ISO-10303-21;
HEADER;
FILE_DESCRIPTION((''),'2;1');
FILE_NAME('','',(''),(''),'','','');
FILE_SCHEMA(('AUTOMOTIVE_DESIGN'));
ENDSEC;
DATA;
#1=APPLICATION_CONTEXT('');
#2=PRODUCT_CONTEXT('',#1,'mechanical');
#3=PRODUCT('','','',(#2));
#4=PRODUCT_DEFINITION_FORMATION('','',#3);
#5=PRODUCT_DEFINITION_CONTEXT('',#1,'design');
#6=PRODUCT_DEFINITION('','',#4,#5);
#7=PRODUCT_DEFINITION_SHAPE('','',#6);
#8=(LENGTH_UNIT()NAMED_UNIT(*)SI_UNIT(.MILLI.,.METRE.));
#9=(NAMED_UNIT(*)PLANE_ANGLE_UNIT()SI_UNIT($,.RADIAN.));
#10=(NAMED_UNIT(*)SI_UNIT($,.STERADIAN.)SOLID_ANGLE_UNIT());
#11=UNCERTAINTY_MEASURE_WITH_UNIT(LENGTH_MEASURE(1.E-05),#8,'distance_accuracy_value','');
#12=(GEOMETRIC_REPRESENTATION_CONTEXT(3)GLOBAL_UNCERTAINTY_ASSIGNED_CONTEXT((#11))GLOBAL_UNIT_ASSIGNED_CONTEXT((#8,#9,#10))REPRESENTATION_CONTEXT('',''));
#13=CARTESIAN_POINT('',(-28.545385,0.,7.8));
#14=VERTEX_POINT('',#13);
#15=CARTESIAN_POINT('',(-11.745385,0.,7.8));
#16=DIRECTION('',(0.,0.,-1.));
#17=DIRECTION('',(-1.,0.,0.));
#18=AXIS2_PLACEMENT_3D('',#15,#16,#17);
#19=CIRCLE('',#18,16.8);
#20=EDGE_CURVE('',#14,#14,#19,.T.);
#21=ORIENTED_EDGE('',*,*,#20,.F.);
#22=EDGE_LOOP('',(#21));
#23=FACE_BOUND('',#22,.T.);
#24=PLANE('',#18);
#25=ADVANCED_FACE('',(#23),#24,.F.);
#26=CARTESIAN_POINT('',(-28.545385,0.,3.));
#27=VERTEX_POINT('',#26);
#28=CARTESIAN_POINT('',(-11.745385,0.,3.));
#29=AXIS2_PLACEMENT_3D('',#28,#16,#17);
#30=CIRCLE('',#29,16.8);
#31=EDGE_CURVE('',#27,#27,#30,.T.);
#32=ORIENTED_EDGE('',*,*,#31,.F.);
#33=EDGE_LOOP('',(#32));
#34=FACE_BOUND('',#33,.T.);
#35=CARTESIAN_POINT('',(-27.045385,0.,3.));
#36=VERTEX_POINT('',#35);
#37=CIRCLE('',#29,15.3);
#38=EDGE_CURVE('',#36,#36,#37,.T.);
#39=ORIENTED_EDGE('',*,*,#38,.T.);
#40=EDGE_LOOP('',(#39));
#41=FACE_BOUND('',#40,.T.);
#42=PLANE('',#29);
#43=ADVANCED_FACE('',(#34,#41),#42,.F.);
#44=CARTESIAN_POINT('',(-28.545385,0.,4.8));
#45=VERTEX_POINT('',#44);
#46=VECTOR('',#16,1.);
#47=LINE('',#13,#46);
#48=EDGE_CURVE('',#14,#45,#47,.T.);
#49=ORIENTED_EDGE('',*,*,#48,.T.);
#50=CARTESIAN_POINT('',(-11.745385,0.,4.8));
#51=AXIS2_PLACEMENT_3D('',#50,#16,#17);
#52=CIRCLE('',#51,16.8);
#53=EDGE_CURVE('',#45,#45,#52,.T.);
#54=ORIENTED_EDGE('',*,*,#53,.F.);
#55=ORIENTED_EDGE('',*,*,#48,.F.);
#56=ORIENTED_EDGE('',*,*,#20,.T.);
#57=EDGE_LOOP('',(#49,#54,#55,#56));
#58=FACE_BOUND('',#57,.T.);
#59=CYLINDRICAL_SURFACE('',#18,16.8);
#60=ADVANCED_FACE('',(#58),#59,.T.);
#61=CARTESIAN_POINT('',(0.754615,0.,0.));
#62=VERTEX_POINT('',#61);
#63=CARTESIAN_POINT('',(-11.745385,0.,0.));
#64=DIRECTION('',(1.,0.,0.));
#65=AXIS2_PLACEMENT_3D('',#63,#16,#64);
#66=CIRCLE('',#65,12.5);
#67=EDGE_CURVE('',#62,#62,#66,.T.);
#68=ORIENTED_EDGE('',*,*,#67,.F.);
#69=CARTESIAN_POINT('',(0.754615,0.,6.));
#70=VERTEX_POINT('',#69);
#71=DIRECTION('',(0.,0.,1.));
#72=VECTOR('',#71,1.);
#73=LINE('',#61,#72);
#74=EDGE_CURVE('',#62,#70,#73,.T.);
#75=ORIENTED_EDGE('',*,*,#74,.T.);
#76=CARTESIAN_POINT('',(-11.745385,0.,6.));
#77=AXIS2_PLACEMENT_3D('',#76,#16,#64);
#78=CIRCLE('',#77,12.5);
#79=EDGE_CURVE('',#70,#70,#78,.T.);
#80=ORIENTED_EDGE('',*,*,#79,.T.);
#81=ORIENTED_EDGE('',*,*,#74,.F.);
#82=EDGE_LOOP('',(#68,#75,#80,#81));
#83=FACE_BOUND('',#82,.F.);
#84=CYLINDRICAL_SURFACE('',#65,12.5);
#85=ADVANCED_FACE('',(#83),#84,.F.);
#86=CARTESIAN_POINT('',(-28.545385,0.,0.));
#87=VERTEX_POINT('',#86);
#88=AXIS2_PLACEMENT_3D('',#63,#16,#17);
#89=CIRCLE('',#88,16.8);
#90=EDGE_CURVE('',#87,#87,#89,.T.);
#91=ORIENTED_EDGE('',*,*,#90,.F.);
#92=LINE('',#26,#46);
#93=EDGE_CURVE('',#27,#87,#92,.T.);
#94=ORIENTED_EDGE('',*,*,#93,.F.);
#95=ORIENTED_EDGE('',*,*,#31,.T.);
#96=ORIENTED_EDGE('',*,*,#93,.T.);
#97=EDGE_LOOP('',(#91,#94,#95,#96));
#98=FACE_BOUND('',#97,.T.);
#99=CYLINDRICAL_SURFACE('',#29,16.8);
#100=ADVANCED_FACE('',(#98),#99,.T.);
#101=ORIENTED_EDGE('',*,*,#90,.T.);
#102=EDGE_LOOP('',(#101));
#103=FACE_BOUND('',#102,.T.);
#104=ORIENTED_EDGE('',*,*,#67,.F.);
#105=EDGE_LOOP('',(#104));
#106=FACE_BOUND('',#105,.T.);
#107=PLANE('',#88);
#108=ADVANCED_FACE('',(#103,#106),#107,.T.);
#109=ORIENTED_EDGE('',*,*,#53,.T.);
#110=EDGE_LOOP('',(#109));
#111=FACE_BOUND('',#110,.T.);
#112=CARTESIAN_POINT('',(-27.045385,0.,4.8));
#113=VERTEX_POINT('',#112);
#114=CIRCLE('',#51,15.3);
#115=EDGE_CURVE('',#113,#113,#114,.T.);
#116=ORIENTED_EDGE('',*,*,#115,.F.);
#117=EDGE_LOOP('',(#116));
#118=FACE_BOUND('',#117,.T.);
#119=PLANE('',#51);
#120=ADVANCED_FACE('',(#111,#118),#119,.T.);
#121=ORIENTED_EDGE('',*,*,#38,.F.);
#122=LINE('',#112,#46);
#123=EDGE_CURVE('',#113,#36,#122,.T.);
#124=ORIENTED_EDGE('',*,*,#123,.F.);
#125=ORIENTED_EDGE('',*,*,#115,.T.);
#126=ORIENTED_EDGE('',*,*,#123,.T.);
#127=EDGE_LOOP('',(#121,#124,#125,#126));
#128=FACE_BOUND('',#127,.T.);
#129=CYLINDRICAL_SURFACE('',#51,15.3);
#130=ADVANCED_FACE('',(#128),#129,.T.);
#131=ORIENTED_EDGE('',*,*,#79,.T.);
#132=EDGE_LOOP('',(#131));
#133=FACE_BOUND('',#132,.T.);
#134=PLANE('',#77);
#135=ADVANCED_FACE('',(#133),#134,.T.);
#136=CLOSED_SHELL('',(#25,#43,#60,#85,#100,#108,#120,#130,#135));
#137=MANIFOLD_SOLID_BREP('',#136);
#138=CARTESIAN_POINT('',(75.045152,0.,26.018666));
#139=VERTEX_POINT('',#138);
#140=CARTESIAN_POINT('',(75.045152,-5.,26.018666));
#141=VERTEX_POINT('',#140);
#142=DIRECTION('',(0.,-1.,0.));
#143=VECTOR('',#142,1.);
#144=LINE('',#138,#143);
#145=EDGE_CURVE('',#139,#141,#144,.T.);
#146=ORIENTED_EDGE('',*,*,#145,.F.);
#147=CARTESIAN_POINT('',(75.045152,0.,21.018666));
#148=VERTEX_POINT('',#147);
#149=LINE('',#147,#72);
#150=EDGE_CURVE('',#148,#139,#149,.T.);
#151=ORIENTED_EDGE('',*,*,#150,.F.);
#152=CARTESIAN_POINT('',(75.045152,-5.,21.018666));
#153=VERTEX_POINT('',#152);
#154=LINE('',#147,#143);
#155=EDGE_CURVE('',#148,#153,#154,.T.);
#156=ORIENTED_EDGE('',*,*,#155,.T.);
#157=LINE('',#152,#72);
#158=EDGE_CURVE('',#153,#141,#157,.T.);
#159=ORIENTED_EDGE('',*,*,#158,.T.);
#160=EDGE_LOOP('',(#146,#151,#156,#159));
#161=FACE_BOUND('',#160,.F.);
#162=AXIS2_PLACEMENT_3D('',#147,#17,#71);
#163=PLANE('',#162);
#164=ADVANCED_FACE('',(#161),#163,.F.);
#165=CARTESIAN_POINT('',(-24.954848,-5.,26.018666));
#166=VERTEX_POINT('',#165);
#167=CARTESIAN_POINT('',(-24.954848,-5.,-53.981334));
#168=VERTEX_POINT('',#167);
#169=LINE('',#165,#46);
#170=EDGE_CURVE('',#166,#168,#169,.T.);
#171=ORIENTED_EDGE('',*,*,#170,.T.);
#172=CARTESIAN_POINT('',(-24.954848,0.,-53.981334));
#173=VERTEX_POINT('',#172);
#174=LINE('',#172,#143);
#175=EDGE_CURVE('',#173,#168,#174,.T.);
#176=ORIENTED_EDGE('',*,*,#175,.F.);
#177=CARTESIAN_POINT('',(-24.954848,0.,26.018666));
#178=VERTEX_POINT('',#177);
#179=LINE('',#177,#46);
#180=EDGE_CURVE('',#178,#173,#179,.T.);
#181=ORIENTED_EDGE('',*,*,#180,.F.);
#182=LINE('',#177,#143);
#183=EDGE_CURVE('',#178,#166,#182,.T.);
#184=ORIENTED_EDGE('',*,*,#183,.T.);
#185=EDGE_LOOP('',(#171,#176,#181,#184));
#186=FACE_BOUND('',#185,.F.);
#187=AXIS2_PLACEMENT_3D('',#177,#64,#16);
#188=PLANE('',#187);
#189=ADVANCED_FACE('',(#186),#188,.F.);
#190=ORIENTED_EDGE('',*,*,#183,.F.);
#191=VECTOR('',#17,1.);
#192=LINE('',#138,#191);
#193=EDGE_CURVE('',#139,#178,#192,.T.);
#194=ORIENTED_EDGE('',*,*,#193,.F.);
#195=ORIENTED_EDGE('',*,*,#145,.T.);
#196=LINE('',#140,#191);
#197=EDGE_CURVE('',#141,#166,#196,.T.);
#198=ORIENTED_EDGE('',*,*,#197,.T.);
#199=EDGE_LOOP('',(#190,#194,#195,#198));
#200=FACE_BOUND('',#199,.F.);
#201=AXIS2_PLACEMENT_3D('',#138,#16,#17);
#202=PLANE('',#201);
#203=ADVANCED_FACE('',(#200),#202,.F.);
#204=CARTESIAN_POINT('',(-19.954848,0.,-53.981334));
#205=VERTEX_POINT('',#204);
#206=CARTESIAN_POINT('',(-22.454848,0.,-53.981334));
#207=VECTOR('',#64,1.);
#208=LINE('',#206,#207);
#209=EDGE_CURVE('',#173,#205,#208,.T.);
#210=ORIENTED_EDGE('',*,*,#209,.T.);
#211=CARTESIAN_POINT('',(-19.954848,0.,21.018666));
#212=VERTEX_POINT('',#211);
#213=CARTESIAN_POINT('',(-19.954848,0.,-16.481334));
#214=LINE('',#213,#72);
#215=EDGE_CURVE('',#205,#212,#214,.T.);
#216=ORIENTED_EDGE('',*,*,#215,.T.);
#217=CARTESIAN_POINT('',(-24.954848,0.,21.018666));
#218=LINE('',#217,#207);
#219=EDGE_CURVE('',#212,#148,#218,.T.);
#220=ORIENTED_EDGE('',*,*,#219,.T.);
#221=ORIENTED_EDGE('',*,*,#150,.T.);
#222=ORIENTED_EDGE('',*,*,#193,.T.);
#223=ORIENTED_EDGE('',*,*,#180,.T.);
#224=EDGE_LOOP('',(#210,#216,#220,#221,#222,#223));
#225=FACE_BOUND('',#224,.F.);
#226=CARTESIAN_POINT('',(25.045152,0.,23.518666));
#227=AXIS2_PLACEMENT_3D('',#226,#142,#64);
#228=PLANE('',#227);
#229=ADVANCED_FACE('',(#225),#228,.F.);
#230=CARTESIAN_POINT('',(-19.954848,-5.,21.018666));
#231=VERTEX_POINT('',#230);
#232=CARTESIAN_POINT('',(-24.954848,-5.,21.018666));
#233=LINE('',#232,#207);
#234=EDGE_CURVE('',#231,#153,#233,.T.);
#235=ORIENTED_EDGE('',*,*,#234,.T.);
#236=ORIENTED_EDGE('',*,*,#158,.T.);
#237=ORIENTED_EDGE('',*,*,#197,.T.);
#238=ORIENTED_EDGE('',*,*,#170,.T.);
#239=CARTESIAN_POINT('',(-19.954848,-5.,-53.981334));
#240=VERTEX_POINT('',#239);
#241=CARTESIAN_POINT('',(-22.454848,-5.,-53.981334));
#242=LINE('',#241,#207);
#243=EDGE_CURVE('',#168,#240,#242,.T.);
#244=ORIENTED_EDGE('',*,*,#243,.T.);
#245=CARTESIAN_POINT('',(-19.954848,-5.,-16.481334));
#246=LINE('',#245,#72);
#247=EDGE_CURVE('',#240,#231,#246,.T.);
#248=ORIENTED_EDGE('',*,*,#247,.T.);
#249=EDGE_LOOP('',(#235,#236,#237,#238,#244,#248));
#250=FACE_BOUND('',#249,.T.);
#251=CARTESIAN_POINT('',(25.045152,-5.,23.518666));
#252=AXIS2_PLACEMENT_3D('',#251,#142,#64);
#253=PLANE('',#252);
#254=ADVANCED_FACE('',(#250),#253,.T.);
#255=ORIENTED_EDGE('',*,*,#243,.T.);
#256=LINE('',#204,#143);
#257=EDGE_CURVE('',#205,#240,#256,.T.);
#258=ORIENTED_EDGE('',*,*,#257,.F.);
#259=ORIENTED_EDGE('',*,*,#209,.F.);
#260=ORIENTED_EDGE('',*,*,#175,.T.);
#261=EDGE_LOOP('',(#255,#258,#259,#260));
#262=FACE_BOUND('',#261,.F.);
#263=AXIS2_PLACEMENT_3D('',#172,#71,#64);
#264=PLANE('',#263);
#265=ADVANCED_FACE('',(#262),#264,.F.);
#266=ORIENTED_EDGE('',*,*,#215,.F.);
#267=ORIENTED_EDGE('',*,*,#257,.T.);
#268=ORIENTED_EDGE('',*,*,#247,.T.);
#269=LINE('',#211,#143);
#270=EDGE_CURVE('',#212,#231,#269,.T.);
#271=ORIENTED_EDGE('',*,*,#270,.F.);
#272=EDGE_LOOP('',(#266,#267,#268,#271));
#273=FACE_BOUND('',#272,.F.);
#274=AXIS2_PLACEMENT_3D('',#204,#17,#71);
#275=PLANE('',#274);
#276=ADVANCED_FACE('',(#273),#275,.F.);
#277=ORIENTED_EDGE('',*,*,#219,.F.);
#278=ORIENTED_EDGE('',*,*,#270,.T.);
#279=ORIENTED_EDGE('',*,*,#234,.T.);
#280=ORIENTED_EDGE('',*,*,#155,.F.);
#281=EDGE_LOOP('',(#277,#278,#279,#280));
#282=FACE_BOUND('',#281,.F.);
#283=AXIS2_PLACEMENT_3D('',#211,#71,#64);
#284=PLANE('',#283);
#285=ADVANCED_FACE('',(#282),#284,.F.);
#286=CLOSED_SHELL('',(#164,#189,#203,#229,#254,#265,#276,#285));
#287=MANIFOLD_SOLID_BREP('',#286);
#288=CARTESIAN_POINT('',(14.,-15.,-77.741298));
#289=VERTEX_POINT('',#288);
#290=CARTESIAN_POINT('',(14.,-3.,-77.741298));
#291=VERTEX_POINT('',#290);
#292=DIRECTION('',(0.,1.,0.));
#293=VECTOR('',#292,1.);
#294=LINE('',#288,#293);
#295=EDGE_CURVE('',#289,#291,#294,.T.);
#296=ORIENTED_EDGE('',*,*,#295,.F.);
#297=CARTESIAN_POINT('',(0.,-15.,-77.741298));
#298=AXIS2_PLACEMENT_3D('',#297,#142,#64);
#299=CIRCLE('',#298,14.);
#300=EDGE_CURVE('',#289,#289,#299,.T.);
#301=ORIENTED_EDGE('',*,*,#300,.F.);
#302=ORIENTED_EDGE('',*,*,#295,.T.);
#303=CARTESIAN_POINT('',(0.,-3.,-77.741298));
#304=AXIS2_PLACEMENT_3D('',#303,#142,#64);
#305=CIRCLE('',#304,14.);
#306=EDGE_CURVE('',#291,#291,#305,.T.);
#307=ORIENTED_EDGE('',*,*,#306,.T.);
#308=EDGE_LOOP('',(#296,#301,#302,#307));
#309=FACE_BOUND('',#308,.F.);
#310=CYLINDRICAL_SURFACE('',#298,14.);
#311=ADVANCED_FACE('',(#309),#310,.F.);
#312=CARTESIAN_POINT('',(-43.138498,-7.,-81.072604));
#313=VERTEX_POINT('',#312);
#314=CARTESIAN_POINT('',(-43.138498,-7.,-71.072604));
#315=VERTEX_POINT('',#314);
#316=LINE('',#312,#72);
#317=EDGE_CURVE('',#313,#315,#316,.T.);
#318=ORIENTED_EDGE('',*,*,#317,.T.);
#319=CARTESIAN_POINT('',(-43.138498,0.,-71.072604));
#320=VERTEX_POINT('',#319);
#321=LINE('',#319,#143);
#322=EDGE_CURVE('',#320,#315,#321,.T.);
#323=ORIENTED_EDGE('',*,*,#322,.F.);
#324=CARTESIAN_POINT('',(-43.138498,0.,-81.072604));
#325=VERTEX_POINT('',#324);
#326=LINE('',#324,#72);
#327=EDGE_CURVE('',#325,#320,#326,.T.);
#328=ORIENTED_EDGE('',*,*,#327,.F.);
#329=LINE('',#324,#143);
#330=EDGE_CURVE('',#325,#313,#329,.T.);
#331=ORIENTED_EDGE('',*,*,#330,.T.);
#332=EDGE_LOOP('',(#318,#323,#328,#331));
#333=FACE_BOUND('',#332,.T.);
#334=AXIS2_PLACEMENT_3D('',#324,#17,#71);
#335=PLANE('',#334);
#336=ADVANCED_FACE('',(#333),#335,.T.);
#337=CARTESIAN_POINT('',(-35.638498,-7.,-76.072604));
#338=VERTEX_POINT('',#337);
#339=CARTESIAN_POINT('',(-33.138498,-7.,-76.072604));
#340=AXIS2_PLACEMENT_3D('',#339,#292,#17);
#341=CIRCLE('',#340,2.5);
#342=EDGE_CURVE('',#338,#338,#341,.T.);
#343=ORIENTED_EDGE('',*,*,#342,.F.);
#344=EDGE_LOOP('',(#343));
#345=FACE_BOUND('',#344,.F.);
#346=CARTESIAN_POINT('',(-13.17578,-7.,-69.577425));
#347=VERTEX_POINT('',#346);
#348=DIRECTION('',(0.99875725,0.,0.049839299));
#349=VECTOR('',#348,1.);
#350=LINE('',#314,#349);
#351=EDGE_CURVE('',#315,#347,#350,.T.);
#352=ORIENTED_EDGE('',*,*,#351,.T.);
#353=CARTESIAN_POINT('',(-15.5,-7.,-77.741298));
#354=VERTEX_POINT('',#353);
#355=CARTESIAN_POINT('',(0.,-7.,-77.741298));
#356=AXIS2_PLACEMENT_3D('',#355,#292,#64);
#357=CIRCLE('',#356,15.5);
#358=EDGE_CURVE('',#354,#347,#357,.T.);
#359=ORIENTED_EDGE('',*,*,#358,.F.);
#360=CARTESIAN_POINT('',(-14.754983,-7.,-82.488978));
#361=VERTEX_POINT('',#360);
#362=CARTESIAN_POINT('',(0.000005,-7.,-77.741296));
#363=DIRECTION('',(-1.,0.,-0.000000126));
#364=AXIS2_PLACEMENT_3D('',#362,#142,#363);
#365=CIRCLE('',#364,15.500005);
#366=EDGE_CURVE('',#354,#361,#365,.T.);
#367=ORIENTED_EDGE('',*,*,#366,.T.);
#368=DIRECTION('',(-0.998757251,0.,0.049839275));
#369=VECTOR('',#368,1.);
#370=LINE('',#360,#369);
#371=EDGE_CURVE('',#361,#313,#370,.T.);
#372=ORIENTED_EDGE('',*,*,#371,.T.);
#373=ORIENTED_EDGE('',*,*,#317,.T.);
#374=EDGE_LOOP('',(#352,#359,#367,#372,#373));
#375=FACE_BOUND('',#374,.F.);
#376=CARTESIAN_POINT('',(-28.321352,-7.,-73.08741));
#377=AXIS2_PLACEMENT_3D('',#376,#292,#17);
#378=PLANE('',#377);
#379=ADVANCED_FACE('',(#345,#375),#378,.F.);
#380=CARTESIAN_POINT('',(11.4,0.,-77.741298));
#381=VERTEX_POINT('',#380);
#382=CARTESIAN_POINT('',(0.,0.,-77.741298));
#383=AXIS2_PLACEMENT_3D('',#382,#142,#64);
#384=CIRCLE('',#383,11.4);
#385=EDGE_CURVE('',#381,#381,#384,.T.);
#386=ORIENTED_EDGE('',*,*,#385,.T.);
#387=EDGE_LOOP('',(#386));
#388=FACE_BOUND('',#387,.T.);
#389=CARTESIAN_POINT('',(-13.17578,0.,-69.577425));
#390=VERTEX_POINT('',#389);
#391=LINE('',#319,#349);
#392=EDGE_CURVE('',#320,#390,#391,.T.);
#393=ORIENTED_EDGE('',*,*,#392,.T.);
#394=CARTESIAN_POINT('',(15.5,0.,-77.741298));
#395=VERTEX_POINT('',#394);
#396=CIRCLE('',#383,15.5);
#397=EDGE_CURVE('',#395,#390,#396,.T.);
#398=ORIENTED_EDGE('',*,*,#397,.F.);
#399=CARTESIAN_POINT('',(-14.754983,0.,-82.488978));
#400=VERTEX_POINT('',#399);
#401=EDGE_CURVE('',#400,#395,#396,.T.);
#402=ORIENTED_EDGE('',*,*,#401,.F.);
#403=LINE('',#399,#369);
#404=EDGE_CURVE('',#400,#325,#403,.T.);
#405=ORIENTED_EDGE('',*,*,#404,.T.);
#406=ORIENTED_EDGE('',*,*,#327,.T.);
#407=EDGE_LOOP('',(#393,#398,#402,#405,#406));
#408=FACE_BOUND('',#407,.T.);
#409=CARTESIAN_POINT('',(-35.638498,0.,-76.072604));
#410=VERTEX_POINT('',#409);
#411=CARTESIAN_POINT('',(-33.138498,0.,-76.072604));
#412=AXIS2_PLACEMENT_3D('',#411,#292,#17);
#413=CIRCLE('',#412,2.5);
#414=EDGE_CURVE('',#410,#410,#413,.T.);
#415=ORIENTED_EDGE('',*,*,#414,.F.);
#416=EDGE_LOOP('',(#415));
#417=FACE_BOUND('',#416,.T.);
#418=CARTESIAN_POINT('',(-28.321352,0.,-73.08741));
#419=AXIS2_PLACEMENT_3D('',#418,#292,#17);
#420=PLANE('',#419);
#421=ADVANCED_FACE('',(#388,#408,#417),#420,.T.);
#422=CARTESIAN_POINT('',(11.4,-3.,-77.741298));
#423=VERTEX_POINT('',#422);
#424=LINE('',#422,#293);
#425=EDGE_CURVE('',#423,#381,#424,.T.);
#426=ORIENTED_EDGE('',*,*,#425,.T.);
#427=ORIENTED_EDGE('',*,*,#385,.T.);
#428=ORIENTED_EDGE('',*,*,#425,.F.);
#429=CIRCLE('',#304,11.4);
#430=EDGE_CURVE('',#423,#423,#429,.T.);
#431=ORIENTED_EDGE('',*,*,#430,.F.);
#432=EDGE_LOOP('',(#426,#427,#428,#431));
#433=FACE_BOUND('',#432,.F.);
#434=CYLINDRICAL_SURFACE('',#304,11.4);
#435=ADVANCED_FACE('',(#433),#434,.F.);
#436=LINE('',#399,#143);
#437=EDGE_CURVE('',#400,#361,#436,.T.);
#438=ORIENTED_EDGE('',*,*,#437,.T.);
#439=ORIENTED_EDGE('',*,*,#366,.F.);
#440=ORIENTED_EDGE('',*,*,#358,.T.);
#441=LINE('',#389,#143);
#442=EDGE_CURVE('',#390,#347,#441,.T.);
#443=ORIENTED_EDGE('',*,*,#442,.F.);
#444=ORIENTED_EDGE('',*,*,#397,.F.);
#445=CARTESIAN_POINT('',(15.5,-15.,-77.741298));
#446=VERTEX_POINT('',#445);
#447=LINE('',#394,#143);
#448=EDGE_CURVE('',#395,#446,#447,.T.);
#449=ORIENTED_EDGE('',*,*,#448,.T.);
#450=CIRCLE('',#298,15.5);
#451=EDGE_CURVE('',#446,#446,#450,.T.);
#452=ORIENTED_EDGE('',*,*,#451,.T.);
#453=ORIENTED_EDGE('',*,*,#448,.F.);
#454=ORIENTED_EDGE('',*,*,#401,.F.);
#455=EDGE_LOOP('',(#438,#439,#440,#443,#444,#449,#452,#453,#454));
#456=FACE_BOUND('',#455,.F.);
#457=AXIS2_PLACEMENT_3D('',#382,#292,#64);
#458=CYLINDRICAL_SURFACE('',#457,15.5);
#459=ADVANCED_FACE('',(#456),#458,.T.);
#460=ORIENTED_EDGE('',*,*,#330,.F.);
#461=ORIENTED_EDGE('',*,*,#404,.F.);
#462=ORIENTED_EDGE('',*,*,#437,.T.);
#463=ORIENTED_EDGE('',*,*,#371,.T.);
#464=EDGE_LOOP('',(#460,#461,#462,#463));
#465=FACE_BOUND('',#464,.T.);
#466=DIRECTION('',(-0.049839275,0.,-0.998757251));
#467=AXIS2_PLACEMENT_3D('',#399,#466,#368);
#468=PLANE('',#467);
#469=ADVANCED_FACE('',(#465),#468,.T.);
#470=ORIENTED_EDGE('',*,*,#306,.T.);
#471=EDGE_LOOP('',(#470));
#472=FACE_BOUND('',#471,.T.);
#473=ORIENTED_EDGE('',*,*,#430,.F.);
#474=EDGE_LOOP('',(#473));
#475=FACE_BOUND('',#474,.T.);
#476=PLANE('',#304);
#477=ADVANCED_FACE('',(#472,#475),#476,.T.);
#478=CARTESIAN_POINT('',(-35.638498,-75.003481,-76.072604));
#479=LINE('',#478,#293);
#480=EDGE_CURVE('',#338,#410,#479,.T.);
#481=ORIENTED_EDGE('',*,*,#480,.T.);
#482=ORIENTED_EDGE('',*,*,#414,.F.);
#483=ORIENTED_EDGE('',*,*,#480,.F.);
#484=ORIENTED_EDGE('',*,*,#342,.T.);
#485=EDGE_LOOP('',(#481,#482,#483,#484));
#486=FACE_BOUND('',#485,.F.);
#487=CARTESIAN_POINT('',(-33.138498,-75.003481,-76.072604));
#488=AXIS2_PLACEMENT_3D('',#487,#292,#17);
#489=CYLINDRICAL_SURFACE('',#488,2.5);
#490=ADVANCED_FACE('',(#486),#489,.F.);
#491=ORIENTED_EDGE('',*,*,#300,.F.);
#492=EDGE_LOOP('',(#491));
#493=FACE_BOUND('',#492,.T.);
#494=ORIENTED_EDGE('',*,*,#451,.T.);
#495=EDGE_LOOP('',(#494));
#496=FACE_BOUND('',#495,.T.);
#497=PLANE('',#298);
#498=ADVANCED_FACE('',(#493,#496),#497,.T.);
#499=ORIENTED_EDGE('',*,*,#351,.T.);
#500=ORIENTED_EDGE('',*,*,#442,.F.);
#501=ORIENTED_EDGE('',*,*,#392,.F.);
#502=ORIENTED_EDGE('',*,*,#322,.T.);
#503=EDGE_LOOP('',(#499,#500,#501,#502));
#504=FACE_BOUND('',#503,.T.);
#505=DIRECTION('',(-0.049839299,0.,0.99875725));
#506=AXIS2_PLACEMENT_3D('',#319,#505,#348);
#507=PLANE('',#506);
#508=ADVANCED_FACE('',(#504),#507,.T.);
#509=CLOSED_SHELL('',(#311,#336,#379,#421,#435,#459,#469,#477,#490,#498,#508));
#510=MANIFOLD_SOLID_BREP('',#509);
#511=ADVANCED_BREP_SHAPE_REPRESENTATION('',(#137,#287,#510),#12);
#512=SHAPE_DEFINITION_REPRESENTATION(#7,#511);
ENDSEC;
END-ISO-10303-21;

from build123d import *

# Parameters (mm, degrees)
F2_R      = 12.5
F3_DEPTH  = 6
F4_R      = 15.5
F5_DEPTH  = 15
F6_R      = 14
F7_DEPTH  = 12
F9_DEPTH  = 7
F10_R     = 11.4
F11_DEPTH = 25
F13_D     = 5
F14_W     = 5
F14_H     = 75
F15_DEPTH = 5


with BuildPart() as f1:
    # F0 (on Front) → F1 (revolve)
    with BuildSketch(Plane.XZ):
        Polygon((-28.545385, 3), (-28.545385, 0), (-11.745385, 0), (-11.745385, 7.8), (-28.545385, 7.8), (-28.545385, 4.8), (-27.045385, 4.8), (-27.045385, 3), align=None)
    revolve(axis=Axis((-11.745385, 0, 3.9), (0, 0, -1)))

    # F2 (on face) → F3 (cut)
    with BuildSketch(Plane(origin=(0, 0, 0), x_dir=(1, 0, 0), z_dir=(0, 0, -1))):
        with Locations((-11.745385, 0)):
            Circle(F2_R)
    extrude(amount=-F3_DEPTH, mode=Mode.SUBTRACT)


with BuildPart() as f5:
    # F4 (on Front) → F5 (new body)
    with BuildSketch(Plane.XZ):
        with Locations((0, -77.741298)):
            Circle(F4_R)
    extrude(amount=F5_DEPTH)

    # F6 (on face) → F7 (cut)
    with BuildSketch(Plane.XZ.offset(15)):
        with Locations((0, -77.741298)):
            Circle(F6_R)
    extrude(amount=-F7_DEPTH, mode=Mode.SUBTRACT)

    # F8 (on face) → F9 (join)
    with BuildSketch(Plane(origin=(0, 0, 0), x_dir=(-1, 0, 0), z_dir=(0, 1, 0))):
        with BuildLine():
            Line((43.138498, -71.072604), (13.17578, -69.577425))
            ThreePointArc((13.17578, -69.577425), (14.657159, -72.699703), (15.409914, -76.072604))
            Line((15.409914, -76.072604), (43.138498, -76.072604))
            Line((43.138498, -76.072604), (43.138498, -71.072604))
        make_face()
        with BuildLine():
            Line((43.138498, -76.072604), (15.409914, -76.072604))
            ThreePointArc((15.409914, -76.072604), (15.477462, -76.905736), (15.5, -77.741298))
            ThreePointArc((15.5, -77.741298), (15.312613, -80.144187), (14.754983, -82.488978))
            Line((14.754983, -82.488978), (43.138498, -81.072604))
            Line((43.138498, -81.072604), (43.138498, -76.072604))
        make_face()
    extrude(amount=-F9_DEPTH)

    # F10 (on face) → F11 (cut)
    with BuildSketch(Plane.XZ.offset(3)):
        with Locations((0, -77.741298)):
            Circle(F10_R)
    extrude(amount=-F11_DEPTH, mode=Mode.SUBTRACT)

    # F13 (through all)
    with Locations(Plane.XZ.offset(7)):
        with Locations((-33.138498, -76.072604)):
            Hole(F13_D / 2)


with BuildPart() as f15:
    # F14 (on Front) → F15 (new body)
    with BuildSketch(Plane.XZ):
        Polygon((75.045152, 26.018666), (-24.954848, 26.018666), (-24.954848, 21.018666), (-19.954848, 21.018666), (75.045152, 21.018666), align=None)
        with Locations((-22.454848, -16.481334)):
            Rectangle(F14_W, F14_H)
    extrude(amount=F15_DEPTH)


solid = Compound([f1.part, f5.part, f15.part])
